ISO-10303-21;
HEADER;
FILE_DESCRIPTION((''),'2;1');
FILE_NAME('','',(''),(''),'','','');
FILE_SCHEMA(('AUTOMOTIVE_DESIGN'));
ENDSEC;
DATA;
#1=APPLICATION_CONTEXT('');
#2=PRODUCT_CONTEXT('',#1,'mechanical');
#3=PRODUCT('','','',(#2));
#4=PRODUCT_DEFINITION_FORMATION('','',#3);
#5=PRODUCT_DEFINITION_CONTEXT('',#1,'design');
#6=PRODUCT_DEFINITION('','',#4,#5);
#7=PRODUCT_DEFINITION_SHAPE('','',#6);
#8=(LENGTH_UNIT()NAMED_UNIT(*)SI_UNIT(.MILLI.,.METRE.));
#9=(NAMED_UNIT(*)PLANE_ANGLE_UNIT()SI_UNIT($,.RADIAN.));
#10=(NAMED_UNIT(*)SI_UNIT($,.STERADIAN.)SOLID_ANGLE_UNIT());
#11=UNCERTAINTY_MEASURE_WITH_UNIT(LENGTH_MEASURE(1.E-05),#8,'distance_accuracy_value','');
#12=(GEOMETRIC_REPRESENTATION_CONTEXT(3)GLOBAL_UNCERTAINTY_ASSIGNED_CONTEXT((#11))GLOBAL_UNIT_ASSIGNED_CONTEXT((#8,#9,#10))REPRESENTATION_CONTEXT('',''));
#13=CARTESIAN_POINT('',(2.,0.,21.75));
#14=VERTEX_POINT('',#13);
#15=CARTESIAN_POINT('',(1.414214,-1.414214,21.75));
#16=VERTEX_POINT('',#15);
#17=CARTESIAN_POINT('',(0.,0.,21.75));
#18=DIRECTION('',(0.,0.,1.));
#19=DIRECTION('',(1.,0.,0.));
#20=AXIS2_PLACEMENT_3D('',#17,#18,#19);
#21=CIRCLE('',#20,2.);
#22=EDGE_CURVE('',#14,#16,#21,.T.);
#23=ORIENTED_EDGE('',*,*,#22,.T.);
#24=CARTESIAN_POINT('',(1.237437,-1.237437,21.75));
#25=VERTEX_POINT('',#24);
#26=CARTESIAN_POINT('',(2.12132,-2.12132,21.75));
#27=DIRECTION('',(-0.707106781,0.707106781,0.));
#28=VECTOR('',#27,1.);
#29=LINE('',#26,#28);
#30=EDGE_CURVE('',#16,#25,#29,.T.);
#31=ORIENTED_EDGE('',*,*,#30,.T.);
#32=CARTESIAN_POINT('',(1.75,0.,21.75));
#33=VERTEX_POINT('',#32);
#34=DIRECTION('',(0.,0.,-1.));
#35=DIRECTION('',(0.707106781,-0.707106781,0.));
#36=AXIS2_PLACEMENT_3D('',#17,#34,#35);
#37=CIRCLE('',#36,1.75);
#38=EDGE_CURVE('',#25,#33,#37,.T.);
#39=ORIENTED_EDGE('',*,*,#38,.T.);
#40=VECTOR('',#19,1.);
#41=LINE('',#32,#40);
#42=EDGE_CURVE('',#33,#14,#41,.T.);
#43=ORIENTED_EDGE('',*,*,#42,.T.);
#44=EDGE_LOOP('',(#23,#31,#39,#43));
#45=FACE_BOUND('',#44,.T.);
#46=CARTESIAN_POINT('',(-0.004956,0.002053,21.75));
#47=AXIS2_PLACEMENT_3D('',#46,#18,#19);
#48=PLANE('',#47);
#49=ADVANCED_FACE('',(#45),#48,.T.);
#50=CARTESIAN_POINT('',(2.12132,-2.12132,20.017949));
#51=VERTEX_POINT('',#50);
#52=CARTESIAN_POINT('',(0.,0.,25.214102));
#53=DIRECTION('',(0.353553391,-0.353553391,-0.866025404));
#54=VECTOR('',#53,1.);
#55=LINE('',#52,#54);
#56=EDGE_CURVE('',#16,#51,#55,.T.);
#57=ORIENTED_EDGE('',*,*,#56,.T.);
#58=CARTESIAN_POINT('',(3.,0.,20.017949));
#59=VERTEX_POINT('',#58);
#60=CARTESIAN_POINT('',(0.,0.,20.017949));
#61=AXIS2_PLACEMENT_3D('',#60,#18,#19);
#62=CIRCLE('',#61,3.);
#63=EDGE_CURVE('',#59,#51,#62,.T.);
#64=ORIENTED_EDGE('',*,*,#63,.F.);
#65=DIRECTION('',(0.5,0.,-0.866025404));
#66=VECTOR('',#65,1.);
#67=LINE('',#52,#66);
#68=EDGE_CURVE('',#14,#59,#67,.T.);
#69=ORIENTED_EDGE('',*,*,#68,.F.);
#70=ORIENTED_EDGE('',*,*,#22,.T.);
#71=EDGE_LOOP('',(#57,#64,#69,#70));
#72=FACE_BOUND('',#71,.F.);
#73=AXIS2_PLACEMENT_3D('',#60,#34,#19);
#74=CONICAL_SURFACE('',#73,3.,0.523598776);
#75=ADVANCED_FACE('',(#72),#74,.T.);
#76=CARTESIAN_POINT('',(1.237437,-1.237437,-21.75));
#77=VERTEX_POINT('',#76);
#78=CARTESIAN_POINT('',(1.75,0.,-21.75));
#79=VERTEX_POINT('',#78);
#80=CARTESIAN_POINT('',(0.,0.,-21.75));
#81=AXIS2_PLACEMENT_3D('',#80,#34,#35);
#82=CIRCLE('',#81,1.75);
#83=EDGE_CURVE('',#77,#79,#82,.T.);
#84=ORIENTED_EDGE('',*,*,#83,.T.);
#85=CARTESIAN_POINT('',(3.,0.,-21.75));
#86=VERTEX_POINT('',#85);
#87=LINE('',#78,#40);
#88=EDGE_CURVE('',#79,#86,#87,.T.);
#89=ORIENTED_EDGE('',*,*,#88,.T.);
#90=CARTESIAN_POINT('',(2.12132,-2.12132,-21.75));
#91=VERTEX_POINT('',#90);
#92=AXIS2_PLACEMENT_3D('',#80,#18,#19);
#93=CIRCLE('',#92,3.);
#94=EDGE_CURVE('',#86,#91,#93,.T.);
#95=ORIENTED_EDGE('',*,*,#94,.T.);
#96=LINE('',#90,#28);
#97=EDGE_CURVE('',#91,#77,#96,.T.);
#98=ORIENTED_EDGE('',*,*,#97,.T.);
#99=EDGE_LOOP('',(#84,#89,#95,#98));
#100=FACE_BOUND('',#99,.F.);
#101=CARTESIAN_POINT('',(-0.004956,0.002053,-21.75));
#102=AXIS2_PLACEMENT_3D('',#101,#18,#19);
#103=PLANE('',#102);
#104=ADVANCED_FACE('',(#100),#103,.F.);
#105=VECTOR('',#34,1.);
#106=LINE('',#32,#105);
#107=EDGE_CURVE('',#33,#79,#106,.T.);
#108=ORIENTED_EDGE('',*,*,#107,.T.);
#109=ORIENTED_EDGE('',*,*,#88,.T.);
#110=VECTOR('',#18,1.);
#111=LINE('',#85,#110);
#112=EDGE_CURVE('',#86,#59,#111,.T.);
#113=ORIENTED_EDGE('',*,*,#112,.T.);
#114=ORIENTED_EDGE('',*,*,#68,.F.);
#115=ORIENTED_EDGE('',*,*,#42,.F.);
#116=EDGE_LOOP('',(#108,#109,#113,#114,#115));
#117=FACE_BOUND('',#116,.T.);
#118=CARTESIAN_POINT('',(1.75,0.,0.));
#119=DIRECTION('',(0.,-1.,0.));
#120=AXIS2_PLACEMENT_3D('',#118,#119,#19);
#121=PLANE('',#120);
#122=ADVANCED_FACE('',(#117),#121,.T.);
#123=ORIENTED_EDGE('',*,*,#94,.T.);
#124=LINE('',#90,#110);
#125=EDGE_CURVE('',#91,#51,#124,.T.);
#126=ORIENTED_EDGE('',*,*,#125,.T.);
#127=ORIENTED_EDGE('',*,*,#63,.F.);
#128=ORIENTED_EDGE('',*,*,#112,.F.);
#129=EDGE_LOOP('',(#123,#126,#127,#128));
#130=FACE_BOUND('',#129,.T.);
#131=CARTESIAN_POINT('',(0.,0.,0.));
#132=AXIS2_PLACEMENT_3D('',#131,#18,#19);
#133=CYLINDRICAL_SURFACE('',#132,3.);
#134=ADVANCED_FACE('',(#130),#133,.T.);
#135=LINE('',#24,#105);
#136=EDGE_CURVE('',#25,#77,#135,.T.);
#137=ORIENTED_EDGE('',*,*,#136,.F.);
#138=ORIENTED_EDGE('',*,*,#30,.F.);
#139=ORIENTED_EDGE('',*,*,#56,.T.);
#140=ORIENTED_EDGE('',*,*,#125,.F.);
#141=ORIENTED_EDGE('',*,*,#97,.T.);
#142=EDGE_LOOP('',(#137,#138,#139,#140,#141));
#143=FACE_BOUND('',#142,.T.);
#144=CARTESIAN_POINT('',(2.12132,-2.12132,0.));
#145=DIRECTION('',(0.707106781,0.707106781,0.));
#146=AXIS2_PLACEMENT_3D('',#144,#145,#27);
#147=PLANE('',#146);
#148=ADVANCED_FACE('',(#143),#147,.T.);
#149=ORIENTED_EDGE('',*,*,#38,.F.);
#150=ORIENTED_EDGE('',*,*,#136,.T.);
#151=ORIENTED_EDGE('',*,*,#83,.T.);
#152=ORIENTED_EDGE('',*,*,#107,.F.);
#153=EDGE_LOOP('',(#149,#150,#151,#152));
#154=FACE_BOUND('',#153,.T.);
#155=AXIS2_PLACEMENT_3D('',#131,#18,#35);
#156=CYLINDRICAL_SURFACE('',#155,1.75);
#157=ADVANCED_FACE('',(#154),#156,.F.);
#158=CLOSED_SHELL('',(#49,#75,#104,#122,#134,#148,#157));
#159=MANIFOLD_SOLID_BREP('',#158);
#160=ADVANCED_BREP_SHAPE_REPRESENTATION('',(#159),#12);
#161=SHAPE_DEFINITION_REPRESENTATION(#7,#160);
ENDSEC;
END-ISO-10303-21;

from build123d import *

# Parameters (mm, degrees)
F1_DEPTH = 21.75
F2_SIZE2 = 1.7320508076
F2_SIZE  = 1


with BuildPart() as f1:
    # F0 (on Top) → F1 (new body, symmetric)
    with BuildSketch(Plane.XY):
        with BuildLine():
            Line((1.75, 0), (3, 0))
            ThreePointArc((3, 0), (-2.7716385975, 1.1480502971), (2.1213203436, -2.1213203436))
            Line((2.1213203436, -2.1213203436), (1.2374368671, -1.2374368671))
            ThreePointArc((1.2374368671, -1.2374368671), (-1.6167891819, 0.6696960066), (1.75, 0))
        make_face()
    extrude(amount=F1_DEPTH, both=True)

    # F2
    f2_edges = [f1.edges().sort_by_distance(p)[0] for p in [
        (-2.771639, 1.14805, 21.75),
    ]]
    f2_side = f1.faces().sort_by_distance((-1.695183, 0.702168, 21.75))[0]
    chamfer(f2_edges, length=F2_SIZE, length2=F2_SIZE2, reference=f2_side)


solid = f1.part
